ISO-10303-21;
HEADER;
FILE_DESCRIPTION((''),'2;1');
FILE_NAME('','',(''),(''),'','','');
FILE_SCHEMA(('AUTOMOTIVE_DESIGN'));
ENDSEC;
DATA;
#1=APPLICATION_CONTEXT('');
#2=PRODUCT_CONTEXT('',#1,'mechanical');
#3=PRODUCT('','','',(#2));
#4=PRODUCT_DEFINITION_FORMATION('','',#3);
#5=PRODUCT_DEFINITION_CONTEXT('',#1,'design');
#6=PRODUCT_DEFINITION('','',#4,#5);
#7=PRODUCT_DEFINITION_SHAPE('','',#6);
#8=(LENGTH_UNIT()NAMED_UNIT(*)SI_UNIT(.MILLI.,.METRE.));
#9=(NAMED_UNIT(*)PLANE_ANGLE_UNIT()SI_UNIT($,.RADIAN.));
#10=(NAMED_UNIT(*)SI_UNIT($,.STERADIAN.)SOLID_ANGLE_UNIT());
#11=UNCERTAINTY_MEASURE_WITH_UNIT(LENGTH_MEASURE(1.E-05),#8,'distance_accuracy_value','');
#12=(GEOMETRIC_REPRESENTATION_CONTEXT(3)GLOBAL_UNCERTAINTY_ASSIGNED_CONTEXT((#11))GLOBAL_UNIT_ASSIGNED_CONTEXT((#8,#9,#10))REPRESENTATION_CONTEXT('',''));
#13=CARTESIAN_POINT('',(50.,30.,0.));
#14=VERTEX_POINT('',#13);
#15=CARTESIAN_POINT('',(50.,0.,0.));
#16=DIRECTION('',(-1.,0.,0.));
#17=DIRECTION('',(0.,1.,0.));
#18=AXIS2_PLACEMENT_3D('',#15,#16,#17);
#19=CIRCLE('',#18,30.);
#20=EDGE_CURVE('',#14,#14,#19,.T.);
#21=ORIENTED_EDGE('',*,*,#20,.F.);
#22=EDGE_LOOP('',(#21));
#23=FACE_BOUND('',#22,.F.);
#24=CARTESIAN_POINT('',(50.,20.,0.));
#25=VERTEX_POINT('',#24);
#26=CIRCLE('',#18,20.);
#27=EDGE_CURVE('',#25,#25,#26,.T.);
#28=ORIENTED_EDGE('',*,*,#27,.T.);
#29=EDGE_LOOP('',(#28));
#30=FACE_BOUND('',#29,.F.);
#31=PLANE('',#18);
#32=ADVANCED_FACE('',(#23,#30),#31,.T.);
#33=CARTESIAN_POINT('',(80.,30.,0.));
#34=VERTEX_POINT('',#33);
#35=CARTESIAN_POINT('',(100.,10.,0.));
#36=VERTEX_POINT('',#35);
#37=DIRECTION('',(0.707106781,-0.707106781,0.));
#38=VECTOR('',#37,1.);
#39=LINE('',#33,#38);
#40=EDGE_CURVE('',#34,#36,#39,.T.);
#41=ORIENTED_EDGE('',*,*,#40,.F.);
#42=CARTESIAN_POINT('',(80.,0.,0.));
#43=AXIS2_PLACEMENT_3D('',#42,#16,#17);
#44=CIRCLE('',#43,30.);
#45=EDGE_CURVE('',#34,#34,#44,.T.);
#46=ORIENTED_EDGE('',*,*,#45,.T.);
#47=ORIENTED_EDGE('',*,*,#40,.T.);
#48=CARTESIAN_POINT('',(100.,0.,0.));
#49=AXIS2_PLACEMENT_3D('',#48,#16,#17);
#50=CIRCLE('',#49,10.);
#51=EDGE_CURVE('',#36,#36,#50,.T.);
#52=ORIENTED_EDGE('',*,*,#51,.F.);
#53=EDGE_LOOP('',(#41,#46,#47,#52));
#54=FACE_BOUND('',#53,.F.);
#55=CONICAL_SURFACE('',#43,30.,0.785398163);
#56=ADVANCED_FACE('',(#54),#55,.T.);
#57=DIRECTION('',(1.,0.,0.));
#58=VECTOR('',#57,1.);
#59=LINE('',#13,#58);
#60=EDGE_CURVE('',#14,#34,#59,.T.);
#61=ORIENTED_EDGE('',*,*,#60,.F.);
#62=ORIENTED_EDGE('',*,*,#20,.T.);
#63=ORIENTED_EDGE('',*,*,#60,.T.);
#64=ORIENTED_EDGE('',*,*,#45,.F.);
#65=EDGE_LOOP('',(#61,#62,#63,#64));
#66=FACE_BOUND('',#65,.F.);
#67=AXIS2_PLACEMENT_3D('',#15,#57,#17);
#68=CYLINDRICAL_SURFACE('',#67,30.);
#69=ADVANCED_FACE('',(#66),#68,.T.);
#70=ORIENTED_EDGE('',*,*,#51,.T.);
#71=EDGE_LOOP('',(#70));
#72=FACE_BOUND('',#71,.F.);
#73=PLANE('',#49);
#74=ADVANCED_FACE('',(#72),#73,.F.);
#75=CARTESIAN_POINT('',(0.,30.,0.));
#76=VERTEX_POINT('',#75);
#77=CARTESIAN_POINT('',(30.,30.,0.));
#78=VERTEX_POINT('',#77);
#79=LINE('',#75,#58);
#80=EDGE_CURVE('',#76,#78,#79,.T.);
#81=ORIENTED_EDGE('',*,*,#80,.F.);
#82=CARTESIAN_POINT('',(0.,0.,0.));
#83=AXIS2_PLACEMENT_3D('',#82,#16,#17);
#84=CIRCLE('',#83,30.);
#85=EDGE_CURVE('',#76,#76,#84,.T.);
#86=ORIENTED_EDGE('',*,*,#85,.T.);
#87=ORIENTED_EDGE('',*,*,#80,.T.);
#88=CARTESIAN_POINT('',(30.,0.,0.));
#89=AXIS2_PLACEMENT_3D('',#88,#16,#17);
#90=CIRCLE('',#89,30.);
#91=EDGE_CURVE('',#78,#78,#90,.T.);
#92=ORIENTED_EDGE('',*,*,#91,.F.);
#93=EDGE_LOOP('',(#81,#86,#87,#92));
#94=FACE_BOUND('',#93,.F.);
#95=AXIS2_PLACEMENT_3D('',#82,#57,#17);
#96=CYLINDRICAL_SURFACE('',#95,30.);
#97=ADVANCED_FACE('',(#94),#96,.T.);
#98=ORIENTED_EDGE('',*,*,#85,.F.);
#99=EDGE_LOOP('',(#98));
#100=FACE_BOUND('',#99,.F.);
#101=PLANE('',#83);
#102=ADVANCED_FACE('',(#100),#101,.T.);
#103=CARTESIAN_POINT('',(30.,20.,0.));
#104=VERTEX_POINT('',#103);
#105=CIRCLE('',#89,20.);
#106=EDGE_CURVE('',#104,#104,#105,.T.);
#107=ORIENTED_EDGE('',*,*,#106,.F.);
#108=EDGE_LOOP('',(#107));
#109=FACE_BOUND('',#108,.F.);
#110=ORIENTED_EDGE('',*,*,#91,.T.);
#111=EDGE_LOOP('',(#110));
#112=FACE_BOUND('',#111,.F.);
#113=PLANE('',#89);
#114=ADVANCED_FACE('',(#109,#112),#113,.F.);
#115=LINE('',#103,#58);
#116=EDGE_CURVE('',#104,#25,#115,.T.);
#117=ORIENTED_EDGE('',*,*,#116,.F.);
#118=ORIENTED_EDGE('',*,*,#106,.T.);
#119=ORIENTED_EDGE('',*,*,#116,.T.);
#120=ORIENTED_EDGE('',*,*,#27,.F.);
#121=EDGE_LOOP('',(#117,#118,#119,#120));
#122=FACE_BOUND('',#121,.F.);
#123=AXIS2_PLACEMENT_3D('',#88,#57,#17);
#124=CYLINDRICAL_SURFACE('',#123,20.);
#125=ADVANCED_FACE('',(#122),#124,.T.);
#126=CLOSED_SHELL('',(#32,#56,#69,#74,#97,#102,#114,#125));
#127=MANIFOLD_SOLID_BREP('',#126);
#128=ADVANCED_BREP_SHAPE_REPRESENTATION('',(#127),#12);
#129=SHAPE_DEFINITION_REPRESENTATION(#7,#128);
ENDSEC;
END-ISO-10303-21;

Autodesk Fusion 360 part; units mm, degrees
sketch "Sketch1" plane through (0, 0, 0) normal (0, 0, 1) x (1, 0, 0)
  line L0 (0, 0) -> (0, 30)
  line L1 (0, 30) -> (30, 30)
  line L2 (30, 30) -> (30, 20)
  line L3 (30, 20) -> (50, 20)
  line L4 (50, 20) -> (50, 30)
  line L5 (50, 30) -> (80, 30)
  line L6 (80, 30) -> (100, 10)
  line L7 (100, 10) -> (100, 0)
  line L8 (100, 0) -> (0, 0)
revolve "Revolve1" add sketch "Sketch1" angle 360 about axis through (100, 0, 0) along (-1, 0, 0)
